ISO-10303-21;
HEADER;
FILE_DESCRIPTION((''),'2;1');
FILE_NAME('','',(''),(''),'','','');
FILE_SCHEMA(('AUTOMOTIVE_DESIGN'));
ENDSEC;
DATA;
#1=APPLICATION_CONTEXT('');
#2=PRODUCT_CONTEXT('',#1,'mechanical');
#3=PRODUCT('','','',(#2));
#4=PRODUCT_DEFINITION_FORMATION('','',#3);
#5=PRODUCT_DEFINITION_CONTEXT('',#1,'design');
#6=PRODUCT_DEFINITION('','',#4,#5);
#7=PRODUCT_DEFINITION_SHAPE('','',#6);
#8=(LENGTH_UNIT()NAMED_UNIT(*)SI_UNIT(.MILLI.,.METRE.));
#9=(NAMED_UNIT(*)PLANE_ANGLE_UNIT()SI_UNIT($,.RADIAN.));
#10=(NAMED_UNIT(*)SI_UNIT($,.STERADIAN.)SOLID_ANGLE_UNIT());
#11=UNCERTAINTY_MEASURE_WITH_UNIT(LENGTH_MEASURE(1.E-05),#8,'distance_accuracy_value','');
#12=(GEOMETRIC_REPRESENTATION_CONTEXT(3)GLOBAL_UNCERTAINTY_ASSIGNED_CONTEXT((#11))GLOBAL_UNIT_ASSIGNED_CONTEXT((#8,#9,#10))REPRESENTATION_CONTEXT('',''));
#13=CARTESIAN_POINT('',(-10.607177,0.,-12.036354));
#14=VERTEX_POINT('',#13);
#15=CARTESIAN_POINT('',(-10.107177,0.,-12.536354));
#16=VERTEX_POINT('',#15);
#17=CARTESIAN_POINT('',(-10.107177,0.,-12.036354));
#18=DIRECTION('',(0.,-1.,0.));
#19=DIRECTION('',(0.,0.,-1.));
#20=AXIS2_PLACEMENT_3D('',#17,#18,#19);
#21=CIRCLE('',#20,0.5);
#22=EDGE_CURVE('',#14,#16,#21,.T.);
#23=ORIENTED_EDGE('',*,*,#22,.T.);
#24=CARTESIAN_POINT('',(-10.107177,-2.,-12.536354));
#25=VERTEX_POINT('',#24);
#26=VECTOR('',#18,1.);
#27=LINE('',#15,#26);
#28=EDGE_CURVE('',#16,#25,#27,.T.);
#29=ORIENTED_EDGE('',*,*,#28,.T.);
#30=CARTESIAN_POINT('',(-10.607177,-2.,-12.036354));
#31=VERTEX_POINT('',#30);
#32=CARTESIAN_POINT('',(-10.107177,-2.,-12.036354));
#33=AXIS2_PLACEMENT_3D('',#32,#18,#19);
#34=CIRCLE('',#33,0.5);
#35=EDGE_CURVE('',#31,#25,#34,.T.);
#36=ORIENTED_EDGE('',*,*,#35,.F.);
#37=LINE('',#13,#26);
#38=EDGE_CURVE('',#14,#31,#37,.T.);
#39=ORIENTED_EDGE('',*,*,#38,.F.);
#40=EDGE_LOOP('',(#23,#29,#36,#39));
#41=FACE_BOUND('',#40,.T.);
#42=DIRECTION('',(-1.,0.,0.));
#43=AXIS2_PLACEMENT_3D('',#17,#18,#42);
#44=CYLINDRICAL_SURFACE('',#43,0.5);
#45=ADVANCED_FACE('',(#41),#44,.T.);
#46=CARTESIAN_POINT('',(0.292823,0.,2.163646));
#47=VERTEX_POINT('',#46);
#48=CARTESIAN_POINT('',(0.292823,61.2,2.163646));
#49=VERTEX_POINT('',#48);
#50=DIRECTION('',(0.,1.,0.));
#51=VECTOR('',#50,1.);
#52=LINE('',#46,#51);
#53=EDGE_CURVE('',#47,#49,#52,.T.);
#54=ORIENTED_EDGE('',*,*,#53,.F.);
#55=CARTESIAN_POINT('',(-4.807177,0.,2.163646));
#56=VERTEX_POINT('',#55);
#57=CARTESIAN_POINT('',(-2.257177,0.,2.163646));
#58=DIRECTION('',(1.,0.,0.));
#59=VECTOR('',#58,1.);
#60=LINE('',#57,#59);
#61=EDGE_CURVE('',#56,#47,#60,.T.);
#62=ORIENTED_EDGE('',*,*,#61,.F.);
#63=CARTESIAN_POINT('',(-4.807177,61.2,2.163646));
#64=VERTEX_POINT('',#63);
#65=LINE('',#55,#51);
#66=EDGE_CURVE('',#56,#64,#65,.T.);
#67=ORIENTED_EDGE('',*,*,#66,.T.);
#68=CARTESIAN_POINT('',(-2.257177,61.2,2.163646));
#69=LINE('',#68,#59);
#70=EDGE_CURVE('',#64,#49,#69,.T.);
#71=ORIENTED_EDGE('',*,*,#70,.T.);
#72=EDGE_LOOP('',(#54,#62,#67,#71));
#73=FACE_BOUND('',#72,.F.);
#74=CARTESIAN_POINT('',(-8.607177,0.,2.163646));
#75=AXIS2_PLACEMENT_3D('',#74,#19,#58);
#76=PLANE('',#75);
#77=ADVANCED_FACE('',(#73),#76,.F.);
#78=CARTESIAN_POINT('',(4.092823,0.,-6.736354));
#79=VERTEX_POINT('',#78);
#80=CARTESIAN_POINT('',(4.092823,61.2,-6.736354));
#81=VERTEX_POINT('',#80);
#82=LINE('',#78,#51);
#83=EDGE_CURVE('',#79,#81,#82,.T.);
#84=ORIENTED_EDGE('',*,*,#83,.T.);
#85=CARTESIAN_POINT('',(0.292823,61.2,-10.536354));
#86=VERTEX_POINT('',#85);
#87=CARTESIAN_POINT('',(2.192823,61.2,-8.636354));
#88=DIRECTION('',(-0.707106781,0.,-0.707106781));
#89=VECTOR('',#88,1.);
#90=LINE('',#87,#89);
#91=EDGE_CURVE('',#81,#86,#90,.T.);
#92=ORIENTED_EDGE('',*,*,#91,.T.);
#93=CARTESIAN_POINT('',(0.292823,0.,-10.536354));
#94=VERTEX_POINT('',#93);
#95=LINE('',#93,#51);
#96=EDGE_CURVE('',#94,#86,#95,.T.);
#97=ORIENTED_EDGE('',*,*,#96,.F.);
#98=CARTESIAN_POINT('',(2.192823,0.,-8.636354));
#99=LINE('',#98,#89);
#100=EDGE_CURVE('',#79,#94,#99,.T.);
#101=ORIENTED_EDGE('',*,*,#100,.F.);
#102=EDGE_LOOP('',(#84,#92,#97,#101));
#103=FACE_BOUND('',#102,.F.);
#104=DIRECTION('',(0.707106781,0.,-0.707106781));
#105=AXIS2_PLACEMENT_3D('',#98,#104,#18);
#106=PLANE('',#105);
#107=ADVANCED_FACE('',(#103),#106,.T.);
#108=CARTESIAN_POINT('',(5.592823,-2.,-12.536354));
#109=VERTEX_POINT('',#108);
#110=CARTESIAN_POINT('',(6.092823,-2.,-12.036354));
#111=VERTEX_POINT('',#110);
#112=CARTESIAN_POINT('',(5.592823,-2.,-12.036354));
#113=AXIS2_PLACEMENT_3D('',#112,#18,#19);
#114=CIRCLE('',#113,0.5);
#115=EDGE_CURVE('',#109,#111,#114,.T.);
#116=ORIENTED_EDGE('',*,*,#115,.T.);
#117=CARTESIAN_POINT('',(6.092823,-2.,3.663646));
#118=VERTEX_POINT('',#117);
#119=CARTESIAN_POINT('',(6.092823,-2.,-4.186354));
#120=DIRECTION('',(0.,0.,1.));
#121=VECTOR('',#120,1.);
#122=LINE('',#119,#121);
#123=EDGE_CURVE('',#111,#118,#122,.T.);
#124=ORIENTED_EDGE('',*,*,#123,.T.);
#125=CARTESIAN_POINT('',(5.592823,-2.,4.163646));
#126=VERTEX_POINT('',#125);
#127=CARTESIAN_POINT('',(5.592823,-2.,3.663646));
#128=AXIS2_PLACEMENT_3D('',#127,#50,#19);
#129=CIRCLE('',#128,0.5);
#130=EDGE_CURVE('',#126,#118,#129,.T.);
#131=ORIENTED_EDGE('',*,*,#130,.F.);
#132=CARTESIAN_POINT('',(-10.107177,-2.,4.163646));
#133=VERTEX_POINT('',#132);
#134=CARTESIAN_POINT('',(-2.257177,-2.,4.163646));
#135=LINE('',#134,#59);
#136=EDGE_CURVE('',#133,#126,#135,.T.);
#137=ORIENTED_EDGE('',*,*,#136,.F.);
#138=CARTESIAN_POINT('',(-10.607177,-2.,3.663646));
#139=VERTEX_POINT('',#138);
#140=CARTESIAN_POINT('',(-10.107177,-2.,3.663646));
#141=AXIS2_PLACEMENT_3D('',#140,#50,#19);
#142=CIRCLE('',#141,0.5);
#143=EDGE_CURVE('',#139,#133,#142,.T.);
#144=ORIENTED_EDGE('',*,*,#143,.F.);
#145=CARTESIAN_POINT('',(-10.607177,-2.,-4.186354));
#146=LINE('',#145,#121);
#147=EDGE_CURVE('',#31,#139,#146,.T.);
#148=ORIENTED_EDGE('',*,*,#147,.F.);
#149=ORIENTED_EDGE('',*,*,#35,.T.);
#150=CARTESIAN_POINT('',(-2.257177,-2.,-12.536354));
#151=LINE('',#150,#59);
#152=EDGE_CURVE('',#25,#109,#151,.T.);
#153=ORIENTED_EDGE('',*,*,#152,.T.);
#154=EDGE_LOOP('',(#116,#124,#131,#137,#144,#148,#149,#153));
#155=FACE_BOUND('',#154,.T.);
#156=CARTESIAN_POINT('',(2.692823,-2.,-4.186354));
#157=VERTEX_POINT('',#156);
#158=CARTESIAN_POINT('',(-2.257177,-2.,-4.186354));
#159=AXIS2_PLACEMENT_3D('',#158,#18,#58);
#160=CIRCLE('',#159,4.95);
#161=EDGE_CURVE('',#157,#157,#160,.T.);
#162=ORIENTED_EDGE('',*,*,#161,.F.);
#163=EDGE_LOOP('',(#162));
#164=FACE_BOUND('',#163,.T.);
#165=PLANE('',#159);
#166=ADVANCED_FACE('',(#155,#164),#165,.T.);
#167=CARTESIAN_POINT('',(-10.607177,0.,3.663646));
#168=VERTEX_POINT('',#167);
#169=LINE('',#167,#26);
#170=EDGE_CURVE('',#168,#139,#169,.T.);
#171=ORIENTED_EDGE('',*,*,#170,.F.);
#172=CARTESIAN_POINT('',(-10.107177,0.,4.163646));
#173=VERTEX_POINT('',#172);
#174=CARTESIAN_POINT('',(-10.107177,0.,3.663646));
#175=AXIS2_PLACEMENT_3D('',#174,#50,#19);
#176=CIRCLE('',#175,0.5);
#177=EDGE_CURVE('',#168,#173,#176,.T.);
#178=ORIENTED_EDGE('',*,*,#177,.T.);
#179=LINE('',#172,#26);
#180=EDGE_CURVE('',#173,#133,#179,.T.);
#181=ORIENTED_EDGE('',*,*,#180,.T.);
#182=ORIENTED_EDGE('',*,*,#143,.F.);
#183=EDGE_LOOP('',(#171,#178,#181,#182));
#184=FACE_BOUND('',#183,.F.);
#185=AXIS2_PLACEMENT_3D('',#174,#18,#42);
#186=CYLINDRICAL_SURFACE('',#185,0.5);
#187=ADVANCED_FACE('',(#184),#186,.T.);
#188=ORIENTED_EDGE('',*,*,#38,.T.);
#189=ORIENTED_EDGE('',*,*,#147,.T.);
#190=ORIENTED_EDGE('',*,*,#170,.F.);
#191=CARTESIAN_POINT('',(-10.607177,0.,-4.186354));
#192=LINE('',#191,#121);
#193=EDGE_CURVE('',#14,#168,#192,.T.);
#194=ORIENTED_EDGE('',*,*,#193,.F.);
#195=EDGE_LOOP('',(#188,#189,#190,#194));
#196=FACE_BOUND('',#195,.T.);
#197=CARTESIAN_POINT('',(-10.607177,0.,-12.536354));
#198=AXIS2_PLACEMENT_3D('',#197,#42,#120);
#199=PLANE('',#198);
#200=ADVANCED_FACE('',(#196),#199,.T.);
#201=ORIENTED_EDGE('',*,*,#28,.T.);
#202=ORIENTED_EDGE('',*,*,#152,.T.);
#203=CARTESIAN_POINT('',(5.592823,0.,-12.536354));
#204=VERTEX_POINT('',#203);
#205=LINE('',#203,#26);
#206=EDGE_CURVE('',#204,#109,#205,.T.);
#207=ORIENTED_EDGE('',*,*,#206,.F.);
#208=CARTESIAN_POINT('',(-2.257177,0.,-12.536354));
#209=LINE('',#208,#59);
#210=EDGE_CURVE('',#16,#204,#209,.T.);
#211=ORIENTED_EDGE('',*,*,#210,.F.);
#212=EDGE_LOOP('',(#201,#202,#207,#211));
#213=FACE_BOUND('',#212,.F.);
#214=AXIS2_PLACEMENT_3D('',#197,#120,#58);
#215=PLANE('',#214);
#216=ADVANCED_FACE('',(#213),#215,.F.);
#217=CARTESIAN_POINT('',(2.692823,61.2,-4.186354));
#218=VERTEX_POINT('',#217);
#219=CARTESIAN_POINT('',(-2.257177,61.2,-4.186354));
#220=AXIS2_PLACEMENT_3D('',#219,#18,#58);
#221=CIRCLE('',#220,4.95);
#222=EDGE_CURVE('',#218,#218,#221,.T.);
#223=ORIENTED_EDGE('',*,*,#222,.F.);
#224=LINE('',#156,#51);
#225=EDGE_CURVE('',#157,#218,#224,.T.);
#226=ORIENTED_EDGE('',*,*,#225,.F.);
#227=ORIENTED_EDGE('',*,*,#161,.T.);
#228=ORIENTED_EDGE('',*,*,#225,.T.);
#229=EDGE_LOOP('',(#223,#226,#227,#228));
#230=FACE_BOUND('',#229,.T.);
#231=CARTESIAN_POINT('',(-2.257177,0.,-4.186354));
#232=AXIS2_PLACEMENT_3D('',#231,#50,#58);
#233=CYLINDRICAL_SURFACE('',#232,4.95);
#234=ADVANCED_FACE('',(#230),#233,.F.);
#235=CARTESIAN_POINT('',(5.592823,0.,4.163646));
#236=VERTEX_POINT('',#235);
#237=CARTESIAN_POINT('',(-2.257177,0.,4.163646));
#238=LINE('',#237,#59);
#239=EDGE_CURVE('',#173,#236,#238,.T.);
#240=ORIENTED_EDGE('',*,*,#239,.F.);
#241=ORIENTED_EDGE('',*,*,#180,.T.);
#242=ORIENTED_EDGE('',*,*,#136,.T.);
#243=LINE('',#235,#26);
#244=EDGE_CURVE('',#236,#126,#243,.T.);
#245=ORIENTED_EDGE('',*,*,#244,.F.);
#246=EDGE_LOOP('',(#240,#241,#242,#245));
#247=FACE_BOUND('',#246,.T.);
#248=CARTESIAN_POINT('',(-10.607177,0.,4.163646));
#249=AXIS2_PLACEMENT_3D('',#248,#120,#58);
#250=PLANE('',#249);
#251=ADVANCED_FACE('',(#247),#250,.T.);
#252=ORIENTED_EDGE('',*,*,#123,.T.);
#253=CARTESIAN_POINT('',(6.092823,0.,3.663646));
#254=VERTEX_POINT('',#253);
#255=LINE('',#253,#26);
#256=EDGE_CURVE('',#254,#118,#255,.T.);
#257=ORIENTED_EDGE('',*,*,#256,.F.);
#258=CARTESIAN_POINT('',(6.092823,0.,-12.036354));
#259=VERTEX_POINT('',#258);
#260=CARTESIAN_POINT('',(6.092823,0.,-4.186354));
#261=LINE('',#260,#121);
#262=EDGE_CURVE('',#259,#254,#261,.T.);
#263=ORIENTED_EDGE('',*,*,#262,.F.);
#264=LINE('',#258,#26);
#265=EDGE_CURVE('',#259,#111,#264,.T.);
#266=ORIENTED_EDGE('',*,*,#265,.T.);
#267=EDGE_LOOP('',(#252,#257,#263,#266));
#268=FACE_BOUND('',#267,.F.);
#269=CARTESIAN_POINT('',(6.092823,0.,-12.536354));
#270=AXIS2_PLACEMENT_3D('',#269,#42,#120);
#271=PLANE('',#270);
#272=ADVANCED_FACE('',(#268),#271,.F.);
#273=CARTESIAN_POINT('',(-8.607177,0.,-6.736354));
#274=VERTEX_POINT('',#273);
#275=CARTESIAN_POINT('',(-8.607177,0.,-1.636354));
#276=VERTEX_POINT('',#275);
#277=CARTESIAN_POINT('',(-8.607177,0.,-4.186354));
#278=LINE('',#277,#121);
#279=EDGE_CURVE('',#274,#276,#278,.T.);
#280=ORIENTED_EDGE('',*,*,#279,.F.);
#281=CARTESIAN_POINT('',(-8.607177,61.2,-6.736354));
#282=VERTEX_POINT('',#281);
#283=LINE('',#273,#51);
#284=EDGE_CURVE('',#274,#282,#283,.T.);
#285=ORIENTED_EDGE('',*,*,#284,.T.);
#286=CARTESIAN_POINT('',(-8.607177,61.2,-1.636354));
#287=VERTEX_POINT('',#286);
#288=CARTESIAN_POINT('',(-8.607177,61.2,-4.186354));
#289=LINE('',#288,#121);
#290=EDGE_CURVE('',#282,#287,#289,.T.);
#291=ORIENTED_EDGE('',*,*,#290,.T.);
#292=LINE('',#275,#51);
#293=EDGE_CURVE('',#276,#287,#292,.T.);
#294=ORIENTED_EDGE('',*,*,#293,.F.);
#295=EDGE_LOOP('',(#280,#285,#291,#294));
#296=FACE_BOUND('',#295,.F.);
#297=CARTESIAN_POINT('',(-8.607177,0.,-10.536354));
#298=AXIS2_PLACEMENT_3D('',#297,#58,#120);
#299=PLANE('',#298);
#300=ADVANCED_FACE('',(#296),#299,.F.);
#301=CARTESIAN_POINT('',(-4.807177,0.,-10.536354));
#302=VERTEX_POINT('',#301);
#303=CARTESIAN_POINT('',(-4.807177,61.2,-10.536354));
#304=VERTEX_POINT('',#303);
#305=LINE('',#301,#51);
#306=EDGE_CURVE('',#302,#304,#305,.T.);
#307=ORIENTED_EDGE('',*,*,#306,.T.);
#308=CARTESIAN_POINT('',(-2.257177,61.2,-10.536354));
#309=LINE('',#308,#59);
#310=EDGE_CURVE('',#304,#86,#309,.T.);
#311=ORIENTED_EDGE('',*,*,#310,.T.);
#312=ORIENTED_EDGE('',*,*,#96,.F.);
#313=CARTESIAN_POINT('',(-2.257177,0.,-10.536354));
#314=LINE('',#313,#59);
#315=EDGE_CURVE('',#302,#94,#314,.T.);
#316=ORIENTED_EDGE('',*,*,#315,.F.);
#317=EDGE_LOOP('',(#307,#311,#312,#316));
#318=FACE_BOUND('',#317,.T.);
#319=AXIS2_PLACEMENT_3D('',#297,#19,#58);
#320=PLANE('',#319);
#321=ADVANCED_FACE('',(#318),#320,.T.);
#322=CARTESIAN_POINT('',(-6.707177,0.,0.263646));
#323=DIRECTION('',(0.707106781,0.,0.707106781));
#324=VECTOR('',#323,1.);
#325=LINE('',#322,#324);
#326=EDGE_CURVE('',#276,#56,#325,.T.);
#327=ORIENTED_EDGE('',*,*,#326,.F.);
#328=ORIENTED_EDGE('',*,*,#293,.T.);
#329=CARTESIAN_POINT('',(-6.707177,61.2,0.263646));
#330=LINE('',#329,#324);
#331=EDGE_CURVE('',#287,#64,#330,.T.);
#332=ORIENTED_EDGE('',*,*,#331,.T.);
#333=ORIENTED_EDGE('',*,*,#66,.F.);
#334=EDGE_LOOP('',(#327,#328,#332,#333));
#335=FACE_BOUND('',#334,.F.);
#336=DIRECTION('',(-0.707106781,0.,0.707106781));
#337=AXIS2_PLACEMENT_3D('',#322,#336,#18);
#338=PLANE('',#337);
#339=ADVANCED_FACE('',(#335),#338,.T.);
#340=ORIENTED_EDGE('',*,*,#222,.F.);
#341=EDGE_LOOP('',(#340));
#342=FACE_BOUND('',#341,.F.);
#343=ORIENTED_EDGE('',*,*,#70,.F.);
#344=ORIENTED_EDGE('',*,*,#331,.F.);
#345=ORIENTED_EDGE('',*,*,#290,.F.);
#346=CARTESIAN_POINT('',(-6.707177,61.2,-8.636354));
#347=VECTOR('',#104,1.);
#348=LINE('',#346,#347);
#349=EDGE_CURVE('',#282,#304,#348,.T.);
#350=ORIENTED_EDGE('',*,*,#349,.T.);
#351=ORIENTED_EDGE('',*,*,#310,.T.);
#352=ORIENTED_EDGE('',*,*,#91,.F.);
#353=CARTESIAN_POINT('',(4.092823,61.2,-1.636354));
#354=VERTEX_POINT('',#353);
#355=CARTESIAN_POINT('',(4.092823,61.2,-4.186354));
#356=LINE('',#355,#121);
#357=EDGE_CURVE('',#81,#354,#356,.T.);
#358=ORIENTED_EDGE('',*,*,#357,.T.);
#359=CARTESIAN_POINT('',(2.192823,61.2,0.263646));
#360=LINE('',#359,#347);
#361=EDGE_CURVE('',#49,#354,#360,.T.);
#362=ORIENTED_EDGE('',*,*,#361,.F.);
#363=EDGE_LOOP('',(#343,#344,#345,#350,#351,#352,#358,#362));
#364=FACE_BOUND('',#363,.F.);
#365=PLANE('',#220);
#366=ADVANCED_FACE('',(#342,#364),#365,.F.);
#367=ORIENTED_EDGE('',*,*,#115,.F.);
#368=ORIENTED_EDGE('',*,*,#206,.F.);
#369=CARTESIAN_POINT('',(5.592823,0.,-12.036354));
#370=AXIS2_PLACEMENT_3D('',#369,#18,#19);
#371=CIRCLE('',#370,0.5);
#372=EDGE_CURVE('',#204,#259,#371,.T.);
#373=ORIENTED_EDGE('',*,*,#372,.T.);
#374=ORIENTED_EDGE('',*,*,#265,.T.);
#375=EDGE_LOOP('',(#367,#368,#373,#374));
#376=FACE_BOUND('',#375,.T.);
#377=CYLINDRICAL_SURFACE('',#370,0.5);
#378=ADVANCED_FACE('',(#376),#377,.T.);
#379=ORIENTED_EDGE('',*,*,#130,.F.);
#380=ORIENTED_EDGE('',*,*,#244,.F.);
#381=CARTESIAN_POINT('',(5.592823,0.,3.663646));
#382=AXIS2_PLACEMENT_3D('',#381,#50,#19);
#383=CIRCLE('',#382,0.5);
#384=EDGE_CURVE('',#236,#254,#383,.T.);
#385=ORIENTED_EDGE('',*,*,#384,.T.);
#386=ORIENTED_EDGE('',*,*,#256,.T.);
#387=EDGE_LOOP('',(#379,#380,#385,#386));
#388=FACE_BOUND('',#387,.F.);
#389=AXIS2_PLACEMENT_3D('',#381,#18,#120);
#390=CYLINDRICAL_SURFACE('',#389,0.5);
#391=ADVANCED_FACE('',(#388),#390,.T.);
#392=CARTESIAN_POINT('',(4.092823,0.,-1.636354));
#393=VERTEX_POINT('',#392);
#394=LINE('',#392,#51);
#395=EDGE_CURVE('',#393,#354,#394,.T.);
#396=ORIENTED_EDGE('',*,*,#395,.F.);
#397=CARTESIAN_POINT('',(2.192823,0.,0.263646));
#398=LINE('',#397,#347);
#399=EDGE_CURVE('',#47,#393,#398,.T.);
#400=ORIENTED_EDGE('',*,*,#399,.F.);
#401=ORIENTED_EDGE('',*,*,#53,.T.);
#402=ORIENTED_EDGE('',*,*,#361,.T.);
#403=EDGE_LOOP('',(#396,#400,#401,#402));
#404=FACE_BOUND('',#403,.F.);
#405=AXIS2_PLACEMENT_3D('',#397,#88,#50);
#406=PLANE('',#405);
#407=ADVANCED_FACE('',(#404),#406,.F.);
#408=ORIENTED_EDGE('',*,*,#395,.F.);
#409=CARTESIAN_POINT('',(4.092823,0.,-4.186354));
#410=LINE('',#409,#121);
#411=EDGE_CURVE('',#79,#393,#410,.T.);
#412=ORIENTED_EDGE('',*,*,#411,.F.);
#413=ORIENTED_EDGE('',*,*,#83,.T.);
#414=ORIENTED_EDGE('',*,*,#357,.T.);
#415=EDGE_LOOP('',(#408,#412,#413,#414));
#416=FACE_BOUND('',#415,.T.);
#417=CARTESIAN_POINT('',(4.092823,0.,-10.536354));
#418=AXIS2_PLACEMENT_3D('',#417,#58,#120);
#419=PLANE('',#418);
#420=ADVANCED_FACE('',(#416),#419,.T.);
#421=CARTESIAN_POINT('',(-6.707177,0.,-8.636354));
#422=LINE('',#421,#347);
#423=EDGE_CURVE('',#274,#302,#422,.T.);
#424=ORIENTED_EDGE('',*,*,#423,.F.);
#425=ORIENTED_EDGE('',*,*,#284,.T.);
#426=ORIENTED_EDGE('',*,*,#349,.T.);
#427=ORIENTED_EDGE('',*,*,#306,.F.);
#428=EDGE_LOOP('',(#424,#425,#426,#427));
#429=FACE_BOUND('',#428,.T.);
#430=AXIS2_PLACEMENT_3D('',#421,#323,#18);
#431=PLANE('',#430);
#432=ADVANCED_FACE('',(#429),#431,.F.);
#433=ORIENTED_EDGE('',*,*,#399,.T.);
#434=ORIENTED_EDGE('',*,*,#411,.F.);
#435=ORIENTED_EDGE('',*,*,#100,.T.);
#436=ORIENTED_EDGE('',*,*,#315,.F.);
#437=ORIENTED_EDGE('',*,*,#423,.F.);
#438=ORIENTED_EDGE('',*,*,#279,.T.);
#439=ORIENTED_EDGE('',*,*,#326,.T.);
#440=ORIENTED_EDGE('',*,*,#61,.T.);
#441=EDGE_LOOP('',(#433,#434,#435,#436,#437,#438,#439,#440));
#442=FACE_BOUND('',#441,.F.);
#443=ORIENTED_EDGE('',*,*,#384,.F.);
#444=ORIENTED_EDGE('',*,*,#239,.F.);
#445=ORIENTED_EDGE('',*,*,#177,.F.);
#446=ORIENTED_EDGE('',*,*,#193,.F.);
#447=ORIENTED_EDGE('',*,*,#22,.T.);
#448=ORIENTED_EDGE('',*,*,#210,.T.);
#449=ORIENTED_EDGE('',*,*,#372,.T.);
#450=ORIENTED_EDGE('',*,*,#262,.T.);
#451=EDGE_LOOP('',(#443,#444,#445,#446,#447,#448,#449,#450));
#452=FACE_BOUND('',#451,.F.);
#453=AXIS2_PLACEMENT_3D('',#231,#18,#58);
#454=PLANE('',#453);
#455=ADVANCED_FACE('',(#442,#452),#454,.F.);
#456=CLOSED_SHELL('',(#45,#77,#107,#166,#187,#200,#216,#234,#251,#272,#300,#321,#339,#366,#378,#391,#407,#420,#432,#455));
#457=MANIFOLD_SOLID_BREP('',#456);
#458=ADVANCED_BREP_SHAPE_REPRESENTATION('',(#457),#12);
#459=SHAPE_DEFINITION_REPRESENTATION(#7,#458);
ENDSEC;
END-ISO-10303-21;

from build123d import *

# Parameters (mm, degrees)
F0_W     = 16.7
F0_H     = 16.7
F0_W_2   = 12.7
F0_H_2   = 12.7
F0_R     = 4.95
F1_DEPTH = 2
F2_DEPTH = 61.2
F3_R     = 0.5
F4_SIZE  = 3.8


with BuildPart() as f1:
    # F0 (on Front) → F1 (new body)
    with BuildSketch(Plane.XZ):
        with Locations((-2.257177, -4.186354)):
            Rectangle(F0_W, F0_H)
        with Locations((-2.257177, -4.186354)):
            Rectangle(F0_W_2, F0_H_2, mode=Mode.SUBTRACT)
        with Locations((-2.257177, -4.186354)):
            Rectangle(F0_W_2, F0_H_2)
        with Locations((-2.257177, -4.186354)):
            Circle(F0_R, mode=Mode.SUBTRACT)
    extrude(amount=F1_DEPTH)

    # F0 (on Front) → F2 (join)
    with BuildSketch(Plane.XZ):
        with Locations((-2.257177, -4.186354)):
            Rectangle(F0_W_2, F0_H_2)
        with Locations((-2.257177, -4.186354)):
            Circle(F0_R, mode=Mode.SUBTRACT)
    extrude(amount=-F2_DEPTH)

    # F3
    f3_edges = [f1.edges().sort_by_distance(p)[0] for p in [
        (-10.607177, -1, 4.163646),
        (6.092823, -1, 4.163646),
        (6.092823, -1, -12.536354),
        (-10.607177, -1, -12.536354),
    ]]
    fillet(f3_edges, radius=F3_R)

    # F4
    f4_edges = [f1.edges().sort_by_distance(p)[0] for p in [
        (-8.607177, 30.6, -10.536354),
        (-8.607177, 30.6, 2.163646),
        (4.092823, 30.6, -10.536354),
        (4.092823, 30.6, 2.163646),
    ]]
    chamfer(f4_edges, length=F4_SIZE)


solid = f1.part
